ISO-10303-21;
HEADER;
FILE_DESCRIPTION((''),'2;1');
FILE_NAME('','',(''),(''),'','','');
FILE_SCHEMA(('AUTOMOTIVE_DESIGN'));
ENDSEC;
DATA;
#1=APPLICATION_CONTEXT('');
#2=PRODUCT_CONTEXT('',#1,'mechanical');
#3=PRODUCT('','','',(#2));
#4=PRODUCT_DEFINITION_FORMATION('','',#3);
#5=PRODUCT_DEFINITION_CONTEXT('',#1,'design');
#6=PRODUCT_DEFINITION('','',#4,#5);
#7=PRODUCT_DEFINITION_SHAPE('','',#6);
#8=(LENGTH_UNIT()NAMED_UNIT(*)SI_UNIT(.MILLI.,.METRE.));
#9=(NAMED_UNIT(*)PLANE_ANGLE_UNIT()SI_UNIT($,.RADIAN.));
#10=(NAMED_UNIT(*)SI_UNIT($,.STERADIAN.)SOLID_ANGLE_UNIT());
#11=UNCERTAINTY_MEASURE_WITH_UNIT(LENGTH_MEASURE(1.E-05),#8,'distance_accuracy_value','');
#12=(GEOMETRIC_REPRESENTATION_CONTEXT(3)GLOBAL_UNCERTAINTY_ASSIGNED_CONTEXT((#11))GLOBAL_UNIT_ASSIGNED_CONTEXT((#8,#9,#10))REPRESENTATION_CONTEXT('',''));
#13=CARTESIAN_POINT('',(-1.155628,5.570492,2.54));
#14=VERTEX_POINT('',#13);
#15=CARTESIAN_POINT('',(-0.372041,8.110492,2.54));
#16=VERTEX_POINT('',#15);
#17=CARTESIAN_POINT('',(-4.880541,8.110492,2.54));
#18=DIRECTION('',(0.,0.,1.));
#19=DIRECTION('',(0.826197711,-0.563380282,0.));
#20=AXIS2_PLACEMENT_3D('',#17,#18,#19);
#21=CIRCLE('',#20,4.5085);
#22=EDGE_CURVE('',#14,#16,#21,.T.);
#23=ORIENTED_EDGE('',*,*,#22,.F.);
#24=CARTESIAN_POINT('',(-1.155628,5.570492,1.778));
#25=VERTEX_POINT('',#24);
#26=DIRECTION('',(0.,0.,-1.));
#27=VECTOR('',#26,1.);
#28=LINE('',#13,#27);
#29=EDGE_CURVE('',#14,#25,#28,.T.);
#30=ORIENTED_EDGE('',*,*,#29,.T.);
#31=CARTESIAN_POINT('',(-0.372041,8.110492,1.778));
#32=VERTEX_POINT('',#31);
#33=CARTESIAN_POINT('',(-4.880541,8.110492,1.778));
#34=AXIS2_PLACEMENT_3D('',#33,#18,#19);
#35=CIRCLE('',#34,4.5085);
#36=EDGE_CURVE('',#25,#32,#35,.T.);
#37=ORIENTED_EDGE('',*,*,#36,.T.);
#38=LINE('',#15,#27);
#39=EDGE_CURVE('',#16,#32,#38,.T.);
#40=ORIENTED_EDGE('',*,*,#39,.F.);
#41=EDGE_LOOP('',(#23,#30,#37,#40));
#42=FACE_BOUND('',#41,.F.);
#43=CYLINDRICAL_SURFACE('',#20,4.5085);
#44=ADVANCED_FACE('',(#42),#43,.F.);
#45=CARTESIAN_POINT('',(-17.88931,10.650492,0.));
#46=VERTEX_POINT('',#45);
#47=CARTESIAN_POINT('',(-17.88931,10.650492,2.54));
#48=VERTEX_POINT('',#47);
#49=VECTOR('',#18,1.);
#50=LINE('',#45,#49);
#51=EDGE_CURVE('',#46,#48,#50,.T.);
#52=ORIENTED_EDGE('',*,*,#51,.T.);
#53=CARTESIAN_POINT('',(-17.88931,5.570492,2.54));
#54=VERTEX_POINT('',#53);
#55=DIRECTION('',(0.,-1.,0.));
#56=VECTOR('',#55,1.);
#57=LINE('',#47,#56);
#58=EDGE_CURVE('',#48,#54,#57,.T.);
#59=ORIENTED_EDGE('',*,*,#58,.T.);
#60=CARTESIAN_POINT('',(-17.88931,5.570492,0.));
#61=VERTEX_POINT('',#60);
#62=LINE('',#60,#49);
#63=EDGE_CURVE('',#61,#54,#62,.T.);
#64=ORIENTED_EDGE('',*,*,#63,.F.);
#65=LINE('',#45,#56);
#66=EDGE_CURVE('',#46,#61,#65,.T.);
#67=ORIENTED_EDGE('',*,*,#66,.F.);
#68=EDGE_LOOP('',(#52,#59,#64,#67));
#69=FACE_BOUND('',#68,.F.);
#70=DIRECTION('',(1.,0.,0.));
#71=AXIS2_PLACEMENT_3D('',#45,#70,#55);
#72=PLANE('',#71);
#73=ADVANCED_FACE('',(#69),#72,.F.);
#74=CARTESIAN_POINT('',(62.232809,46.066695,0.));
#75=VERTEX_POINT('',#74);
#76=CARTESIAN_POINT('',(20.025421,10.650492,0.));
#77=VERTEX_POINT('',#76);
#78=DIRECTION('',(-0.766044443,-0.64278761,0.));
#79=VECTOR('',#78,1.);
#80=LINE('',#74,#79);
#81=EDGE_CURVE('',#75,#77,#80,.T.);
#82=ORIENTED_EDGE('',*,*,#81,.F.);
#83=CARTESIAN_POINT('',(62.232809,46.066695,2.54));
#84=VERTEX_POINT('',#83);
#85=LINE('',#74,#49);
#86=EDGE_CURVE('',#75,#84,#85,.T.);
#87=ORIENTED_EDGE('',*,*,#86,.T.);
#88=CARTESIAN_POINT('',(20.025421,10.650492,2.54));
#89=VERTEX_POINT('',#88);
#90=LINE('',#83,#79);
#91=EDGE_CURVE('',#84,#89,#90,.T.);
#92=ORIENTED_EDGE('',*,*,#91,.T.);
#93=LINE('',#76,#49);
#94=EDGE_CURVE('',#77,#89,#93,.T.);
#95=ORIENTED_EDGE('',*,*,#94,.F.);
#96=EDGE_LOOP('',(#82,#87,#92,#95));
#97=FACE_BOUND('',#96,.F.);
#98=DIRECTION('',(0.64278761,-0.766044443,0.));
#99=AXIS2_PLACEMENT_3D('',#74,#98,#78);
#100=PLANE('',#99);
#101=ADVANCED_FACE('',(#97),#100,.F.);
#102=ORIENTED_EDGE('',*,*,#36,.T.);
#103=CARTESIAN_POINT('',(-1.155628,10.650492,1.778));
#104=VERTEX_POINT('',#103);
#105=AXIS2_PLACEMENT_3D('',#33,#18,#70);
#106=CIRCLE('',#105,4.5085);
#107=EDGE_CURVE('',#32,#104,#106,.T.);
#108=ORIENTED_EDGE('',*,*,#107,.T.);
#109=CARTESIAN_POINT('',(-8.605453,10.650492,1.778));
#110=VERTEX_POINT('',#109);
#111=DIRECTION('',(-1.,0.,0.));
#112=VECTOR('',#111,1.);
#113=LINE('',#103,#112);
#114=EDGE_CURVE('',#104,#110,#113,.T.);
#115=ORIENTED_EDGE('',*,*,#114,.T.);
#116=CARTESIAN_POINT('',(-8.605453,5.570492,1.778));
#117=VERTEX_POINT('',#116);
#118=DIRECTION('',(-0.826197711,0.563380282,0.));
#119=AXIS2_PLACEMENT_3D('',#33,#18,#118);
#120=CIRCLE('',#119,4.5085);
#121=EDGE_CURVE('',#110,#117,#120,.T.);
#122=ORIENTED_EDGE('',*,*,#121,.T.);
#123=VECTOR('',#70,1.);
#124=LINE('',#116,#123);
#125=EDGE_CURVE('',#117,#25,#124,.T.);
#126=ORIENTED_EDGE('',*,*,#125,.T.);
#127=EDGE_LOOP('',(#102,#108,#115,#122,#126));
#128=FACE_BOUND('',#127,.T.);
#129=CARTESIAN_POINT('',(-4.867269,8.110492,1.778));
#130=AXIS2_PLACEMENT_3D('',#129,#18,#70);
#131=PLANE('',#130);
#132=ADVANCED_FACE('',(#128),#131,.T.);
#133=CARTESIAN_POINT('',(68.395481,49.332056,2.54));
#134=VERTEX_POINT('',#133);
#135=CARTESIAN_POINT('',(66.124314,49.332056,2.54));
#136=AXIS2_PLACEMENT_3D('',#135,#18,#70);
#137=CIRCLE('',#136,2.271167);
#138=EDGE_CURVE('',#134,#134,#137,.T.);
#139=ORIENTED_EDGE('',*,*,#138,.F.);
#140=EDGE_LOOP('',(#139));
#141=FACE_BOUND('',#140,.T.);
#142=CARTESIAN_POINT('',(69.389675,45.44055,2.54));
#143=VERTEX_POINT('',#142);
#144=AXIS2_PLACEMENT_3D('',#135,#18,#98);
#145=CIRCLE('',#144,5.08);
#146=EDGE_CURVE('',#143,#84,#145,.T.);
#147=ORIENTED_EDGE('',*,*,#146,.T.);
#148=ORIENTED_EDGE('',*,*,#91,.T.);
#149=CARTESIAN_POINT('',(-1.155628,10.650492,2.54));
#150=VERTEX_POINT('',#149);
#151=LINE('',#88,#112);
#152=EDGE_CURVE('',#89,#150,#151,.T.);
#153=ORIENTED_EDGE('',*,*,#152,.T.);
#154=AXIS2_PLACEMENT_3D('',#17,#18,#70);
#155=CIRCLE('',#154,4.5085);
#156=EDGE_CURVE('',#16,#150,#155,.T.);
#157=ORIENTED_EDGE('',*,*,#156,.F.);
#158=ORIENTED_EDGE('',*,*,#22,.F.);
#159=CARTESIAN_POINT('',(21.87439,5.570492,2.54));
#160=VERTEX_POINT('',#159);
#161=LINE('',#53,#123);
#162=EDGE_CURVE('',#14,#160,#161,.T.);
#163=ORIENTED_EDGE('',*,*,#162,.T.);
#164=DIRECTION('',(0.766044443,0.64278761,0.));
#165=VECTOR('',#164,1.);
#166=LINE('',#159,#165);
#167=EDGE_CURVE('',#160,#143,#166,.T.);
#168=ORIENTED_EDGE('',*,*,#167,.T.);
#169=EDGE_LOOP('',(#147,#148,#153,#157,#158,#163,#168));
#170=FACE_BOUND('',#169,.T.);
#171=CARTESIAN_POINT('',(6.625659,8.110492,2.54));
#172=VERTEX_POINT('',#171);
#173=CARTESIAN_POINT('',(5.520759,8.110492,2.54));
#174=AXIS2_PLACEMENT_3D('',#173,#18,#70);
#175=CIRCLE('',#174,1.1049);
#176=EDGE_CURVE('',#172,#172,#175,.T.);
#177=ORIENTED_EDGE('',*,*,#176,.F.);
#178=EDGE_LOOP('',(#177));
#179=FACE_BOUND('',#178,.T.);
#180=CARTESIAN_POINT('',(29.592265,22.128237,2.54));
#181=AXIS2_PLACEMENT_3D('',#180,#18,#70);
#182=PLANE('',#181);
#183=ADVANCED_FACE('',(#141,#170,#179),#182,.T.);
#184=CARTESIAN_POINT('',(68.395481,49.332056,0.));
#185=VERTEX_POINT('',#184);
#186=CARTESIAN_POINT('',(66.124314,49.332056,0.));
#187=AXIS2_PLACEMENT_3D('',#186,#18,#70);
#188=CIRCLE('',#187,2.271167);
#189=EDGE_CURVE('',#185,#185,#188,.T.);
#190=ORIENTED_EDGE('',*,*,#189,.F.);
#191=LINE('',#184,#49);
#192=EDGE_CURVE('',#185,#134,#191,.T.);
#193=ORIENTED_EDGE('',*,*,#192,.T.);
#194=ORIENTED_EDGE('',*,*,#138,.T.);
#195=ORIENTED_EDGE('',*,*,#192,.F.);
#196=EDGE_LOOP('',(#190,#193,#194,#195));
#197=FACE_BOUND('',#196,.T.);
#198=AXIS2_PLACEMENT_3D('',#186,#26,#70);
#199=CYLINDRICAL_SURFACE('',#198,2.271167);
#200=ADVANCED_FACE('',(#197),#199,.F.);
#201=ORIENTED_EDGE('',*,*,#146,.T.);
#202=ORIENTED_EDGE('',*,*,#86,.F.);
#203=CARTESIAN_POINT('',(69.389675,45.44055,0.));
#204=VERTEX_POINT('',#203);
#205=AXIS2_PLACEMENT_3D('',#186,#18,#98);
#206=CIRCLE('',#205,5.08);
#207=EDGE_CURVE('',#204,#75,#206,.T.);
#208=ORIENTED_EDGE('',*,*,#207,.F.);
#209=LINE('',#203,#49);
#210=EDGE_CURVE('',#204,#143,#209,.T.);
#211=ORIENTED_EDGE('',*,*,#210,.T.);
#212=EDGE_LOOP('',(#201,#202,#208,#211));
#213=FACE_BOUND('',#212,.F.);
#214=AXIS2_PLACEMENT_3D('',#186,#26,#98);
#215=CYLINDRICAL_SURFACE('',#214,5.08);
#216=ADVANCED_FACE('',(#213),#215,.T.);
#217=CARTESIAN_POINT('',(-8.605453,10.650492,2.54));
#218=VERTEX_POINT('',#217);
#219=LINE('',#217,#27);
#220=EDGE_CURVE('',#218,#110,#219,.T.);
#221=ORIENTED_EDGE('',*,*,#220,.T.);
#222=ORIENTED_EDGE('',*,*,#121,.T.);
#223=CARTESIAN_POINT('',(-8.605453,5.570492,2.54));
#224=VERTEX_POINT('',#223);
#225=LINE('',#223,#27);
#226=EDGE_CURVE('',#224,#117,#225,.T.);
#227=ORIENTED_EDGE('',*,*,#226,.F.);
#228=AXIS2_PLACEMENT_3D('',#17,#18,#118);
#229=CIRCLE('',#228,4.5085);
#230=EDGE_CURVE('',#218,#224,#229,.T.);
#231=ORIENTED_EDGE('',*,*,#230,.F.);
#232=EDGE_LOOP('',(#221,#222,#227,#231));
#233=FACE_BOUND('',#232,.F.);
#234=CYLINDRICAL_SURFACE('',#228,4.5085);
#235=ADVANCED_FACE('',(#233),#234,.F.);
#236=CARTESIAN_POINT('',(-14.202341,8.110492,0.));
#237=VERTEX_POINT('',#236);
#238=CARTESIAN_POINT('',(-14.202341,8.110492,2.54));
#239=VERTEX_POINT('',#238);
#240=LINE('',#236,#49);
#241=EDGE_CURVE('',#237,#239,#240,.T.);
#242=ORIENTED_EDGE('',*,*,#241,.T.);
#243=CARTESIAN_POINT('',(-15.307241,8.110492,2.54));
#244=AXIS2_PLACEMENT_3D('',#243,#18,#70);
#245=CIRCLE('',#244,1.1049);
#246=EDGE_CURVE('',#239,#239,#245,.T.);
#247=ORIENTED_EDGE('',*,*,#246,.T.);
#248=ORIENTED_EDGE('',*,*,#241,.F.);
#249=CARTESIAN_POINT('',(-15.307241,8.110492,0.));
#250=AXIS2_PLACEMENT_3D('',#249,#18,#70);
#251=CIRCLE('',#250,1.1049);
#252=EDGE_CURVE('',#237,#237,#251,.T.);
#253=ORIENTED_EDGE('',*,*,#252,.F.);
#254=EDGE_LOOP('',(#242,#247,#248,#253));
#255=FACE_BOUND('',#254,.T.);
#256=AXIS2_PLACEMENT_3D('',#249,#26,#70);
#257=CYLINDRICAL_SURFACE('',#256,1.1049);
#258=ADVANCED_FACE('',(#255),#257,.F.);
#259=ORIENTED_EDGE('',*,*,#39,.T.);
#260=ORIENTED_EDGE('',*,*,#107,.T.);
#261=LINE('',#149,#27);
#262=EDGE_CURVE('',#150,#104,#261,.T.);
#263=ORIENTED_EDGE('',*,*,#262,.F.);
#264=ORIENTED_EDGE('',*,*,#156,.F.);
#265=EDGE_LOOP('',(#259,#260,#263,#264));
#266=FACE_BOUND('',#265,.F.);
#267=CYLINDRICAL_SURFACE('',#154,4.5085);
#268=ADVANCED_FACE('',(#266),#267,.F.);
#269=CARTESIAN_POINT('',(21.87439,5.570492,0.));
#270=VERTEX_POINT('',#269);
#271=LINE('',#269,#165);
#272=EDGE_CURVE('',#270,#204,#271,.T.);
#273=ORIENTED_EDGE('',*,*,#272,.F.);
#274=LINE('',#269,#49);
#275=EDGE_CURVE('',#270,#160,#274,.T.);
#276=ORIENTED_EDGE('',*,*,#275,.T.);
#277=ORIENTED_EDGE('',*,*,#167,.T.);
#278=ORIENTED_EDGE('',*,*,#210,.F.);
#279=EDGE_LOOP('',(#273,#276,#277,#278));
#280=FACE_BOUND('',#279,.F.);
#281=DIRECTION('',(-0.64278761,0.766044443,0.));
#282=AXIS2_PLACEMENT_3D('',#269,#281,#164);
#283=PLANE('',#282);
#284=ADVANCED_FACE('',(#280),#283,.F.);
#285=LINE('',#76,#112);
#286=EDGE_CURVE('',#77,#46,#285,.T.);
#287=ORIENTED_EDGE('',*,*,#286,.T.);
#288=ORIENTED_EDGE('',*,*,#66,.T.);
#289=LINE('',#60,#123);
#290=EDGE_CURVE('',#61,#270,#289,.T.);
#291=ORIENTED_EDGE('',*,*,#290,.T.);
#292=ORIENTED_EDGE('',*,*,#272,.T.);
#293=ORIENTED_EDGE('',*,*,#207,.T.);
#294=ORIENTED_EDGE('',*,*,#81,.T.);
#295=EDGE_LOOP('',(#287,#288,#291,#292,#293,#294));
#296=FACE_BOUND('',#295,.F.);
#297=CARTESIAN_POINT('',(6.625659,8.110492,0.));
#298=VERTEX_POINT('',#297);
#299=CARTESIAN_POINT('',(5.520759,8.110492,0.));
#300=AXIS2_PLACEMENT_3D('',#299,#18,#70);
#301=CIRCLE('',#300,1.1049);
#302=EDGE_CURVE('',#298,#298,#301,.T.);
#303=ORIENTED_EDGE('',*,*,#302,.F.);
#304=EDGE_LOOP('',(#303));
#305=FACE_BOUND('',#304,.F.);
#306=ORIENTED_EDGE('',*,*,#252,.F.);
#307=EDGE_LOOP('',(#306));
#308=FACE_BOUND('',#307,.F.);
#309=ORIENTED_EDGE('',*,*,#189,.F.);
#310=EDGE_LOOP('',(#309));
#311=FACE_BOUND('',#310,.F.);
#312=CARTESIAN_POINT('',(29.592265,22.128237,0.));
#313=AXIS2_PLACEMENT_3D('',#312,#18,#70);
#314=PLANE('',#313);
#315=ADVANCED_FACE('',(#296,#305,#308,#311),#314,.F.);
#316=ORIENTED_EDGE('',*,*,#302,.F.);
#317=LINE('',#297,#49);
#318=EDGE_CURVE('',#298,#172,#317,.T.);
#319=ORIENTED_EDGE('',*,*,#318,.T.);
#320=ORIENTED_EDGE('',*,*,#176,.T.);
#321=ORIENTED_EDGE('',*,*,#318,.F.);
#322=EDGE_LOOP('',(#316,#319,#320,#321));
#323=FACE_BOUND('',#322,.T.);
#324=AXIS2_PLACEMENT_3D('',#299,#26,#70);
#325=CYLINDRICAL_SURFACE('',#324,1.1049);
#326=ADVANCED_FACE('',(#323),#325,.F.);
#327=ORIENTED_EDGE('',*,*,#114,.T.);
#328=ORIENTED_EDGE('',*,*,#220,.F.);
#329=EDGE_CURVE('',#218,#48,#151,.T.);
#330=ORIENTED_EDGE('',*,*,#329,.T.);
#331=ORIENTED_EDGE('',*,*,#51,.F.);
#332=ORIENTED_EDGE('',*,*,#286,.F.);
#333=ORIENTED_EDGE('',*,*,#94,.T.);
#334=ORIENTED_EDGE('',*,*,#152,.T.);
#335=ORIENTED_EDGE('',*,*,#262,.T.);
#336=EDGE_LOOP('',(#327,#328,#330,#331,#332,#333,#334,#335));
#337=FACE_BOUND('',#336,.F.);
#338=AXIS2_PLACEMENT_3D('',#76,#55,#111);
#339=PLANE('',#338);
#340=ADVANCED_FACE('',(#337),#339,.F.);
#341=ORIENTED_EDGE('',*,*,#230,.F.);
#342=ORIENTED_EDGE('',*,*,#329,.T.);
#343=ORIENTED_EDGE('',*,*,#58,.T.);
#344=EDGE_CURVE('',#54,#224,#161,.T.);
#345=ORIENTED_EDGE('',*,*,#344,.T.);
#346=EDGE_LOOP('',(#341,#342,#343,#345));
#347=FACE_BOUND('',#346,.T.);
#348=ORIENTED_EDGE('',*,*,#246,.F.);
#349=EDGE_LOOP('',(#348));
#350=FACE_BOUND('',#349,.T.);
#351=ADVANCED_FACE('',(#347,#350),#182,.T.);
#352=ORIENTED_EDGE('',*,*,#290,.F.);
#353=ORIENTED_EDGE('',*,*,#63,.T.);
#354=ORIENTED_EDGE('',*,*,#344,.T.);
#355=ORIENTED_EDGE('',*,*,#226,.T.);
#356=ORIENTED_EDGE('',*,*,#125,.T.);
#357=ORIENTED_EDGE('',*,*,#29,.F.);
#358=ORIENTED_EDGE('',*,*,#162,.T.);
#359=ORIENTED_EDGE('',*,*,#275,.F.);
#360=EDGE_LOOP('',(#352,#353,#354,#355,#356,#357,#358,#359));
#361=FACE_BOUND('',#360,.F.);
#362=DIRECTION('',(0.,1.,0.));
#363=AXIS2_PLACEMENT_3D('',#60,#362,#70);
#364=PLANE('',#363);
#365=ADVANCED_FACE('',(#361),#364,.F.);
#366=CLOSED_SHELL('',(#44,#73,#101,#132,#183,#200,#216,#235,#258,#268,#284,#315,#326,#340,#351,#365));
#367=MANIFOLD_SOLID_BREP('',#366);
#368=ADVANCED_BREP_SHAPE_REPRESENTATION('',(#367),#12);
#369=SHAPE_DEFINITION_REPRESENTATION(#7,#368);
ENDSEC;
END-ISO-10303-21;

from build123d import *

# Parameters (mm, degrees)
F0_R     = 1.1049
F0_R_2   = 2.2711665082
F1_DEPTH = 2.54
F3_DEPTH = 0.762


with BuildPart() as f1:
    # F0 (on Top) → F1 (new body)
    with BuildSketch(Plane.XY):
        with BuildLine():
            Line((20.0254211358, 10.6504917759), (-4.8932405656, 10.6504917759))
            Line((-4.8932405656, 10.6504917759), (-15.3309644214, 10.6504917759))
            Line((-15.3309644214, 10.6504917759), (-17.8893100741, 10.6504917759))
            Line((-17.8893100741, 10.6504917759), (-17.8893100741, 7.7587923859))
            Line((-17.8893100741, 7.7587923859), (-17.8893100741, 6.9155367665))
            Line((-17.8893100741, 6.9155367665), (-17.8893100741, 5.5704917759))
            Line((-17.8893100741, 5.5704917759), (-15.2188334614, 5.5704917759))
            Line((-15.2188334614, 5.5704917759), (-4.8932405656, 5.5704917759))
            Line((-4.8932405656, 5.5704917759), (21.8743899259, 5.5704917759))
            Line((21.8743899259, 5.5704917759), (69.3896753903, 45.4405502844))
            ThreePointArc((69.3896753903, 45.4405502844), (66.5670655063, 54.3927251217), (62.2328085621, 46.0666949982))
            Line((62.2328085621, 46.0666949982), (20.0254211358, 10.6504917759))
        make_face()
        with Locations((-15.3072405656, 8.1104917759)):
            Circle(F0_R, mode=Mode.SUBTRACT)
        with Locations((5.5207594344, 8.1104917759)):
            Circle(F0_R, mode=Mode.SUBTRACT)
        with Locations((66.1243143331, 49.3320560554)):
            Circle(F0_R_2, mode=Mode.SUBTRACT)
    extrude(amount=F1_DEPTH)

    # F2 (on face) → F3 (cut)
    with BuildSketch(Plane.XY.offset(2.54)):
        with BuildLine():
            ThreePointArc((-1.155628184, 5.5704917759), (-0.5723890059, 6.7814310591), (-0.3720405656, 8.1104917759))
            ThreePointArc((-0.3720405656, 8.1104917759), (-0.5723890059, 9.4395524927), (-1.155628184, 10.6504917759))
            Line((-1.155628184, 10.6504917759), (-8.6054529471, 10.6504917759))
            ThreePointArc((-8.6054529471, 10.6504917759), (-9.3890405656, 8.1104917759), (-8.6054529471, 5.5704917759))
            Line((-8.6054529471, 5.5704917759), (-1.155628184, 5.5704917759))
        make_face()
    extrude(amount=-F3_DEPTH, mode=Mode.SUBTRACT)


solid = f1.part
